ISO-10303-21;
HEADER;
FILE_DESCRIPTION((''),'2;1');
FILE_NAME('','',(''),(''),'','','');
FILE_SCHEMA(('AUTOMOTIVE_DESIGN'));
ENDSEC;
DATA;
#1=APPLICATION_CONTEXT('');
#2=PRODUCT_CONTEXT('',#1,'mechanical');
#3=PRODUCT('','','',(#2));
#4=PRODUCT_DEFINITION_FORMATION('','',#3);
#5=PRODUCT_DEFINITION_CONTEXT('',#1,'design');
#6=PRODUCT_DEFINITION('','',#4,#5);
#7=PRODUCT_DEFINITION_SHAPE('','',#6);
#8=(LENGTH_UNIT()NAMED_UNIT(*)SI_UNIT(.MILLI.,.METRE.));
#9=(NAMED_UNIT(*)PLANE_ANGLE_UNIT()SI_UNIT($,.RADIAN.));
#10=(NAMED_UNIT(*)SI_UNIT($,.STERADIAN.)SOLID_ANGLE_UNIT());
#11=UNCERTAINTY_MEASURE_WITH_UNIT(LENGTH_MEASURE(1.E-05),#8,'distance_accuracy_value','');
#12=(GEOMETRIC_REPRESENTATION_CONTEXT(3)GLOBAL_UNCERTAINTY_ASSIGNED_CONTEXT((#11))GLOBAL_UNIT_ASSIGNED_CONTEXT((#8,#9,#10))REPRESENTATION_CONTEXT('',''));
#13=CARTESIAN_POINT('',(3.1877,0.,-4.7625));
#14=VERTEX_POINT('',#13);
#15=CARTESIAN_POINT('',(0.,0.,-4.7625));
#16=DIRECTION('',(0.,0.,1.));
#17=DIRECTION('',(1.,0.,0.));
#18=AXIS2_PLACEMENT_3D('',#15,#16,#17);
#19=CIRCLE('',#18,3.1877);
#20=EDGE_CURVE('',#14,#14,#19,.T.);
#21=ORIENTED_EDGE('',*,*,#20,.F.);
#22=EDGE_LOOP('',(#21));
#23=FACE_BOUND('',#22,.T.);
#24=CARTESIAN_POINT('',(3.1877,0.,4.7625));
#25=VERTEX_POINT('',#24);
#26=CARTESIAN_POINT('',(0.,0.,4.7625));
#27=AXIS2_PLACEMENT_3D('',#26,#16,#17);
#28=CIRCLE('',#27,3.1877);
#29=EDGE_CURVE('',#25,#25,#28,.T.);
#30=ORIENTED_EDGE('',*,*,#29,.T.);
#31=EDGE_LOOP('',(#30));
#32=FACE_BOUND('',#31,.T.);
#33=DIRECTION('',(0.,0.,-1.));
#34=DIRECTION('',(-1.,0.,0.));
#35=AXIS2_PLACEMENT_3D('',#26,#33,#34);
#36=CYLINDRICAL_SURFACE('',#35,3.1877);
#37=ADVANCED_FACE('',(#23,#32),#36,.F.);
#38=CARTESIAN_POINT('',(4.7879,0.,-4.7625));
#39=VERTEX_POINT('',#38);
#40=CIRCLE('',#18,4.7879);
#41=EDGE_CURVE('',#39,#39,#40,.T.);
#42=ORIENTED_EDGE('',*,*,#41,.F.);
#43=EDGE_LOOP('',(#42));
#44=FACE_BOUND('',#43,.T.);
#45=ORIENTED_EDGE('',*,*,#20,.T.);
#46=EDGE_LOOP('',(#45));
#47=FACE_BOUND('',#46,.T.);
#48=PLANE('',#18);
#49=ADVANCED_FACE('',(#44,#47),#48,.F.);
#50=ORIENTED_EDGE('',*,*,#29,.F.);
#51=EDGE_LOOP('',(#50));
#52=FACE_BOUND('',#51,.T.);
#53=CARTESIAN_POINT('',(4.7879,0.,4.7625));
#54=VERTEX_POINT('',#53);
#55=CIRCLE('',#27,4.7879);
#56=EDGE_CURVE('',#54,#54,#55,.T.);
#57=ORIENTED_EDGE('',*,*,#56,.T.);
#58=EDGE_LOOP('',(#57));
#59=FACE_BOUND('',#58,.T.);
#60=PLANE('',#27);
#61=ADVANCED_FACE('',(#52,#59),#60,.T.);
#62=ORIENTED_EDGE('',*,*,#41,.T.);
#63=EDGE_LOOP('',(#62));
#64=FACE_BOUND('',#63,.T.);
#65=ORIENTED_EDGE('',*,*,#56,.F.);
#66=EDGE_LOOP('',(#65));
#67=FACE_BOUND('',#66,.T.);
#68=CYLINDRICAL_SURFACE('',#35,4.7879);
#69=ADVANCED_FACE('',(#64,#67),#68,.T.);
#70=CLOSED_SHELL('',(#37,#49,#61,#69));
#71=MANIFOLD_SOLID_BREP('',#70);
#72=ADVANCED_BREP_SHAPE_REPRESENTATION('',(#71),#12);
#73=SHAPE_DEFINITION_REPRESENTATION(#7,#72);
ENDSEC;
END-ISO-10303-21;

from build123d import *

# Parameters (mm, degrees)
SKETCH1_R      = 4.7879
SKETCH1_R_2    = 3.1877
EXTRUDE1_DEPTH = 4.7625


with BuildPart() as part:
    # Sketch1 → Extrude1 (new body, symmetric)
    with BuildSketch(Plane.XY):
        Circle(SKETCH1_R)
        Circle(SKETCH1_R_2, mode=Mode.SUBTRACT)
    extrude(amount=EXTRUDE1_DEPTH, both=True)


solid = part.part
